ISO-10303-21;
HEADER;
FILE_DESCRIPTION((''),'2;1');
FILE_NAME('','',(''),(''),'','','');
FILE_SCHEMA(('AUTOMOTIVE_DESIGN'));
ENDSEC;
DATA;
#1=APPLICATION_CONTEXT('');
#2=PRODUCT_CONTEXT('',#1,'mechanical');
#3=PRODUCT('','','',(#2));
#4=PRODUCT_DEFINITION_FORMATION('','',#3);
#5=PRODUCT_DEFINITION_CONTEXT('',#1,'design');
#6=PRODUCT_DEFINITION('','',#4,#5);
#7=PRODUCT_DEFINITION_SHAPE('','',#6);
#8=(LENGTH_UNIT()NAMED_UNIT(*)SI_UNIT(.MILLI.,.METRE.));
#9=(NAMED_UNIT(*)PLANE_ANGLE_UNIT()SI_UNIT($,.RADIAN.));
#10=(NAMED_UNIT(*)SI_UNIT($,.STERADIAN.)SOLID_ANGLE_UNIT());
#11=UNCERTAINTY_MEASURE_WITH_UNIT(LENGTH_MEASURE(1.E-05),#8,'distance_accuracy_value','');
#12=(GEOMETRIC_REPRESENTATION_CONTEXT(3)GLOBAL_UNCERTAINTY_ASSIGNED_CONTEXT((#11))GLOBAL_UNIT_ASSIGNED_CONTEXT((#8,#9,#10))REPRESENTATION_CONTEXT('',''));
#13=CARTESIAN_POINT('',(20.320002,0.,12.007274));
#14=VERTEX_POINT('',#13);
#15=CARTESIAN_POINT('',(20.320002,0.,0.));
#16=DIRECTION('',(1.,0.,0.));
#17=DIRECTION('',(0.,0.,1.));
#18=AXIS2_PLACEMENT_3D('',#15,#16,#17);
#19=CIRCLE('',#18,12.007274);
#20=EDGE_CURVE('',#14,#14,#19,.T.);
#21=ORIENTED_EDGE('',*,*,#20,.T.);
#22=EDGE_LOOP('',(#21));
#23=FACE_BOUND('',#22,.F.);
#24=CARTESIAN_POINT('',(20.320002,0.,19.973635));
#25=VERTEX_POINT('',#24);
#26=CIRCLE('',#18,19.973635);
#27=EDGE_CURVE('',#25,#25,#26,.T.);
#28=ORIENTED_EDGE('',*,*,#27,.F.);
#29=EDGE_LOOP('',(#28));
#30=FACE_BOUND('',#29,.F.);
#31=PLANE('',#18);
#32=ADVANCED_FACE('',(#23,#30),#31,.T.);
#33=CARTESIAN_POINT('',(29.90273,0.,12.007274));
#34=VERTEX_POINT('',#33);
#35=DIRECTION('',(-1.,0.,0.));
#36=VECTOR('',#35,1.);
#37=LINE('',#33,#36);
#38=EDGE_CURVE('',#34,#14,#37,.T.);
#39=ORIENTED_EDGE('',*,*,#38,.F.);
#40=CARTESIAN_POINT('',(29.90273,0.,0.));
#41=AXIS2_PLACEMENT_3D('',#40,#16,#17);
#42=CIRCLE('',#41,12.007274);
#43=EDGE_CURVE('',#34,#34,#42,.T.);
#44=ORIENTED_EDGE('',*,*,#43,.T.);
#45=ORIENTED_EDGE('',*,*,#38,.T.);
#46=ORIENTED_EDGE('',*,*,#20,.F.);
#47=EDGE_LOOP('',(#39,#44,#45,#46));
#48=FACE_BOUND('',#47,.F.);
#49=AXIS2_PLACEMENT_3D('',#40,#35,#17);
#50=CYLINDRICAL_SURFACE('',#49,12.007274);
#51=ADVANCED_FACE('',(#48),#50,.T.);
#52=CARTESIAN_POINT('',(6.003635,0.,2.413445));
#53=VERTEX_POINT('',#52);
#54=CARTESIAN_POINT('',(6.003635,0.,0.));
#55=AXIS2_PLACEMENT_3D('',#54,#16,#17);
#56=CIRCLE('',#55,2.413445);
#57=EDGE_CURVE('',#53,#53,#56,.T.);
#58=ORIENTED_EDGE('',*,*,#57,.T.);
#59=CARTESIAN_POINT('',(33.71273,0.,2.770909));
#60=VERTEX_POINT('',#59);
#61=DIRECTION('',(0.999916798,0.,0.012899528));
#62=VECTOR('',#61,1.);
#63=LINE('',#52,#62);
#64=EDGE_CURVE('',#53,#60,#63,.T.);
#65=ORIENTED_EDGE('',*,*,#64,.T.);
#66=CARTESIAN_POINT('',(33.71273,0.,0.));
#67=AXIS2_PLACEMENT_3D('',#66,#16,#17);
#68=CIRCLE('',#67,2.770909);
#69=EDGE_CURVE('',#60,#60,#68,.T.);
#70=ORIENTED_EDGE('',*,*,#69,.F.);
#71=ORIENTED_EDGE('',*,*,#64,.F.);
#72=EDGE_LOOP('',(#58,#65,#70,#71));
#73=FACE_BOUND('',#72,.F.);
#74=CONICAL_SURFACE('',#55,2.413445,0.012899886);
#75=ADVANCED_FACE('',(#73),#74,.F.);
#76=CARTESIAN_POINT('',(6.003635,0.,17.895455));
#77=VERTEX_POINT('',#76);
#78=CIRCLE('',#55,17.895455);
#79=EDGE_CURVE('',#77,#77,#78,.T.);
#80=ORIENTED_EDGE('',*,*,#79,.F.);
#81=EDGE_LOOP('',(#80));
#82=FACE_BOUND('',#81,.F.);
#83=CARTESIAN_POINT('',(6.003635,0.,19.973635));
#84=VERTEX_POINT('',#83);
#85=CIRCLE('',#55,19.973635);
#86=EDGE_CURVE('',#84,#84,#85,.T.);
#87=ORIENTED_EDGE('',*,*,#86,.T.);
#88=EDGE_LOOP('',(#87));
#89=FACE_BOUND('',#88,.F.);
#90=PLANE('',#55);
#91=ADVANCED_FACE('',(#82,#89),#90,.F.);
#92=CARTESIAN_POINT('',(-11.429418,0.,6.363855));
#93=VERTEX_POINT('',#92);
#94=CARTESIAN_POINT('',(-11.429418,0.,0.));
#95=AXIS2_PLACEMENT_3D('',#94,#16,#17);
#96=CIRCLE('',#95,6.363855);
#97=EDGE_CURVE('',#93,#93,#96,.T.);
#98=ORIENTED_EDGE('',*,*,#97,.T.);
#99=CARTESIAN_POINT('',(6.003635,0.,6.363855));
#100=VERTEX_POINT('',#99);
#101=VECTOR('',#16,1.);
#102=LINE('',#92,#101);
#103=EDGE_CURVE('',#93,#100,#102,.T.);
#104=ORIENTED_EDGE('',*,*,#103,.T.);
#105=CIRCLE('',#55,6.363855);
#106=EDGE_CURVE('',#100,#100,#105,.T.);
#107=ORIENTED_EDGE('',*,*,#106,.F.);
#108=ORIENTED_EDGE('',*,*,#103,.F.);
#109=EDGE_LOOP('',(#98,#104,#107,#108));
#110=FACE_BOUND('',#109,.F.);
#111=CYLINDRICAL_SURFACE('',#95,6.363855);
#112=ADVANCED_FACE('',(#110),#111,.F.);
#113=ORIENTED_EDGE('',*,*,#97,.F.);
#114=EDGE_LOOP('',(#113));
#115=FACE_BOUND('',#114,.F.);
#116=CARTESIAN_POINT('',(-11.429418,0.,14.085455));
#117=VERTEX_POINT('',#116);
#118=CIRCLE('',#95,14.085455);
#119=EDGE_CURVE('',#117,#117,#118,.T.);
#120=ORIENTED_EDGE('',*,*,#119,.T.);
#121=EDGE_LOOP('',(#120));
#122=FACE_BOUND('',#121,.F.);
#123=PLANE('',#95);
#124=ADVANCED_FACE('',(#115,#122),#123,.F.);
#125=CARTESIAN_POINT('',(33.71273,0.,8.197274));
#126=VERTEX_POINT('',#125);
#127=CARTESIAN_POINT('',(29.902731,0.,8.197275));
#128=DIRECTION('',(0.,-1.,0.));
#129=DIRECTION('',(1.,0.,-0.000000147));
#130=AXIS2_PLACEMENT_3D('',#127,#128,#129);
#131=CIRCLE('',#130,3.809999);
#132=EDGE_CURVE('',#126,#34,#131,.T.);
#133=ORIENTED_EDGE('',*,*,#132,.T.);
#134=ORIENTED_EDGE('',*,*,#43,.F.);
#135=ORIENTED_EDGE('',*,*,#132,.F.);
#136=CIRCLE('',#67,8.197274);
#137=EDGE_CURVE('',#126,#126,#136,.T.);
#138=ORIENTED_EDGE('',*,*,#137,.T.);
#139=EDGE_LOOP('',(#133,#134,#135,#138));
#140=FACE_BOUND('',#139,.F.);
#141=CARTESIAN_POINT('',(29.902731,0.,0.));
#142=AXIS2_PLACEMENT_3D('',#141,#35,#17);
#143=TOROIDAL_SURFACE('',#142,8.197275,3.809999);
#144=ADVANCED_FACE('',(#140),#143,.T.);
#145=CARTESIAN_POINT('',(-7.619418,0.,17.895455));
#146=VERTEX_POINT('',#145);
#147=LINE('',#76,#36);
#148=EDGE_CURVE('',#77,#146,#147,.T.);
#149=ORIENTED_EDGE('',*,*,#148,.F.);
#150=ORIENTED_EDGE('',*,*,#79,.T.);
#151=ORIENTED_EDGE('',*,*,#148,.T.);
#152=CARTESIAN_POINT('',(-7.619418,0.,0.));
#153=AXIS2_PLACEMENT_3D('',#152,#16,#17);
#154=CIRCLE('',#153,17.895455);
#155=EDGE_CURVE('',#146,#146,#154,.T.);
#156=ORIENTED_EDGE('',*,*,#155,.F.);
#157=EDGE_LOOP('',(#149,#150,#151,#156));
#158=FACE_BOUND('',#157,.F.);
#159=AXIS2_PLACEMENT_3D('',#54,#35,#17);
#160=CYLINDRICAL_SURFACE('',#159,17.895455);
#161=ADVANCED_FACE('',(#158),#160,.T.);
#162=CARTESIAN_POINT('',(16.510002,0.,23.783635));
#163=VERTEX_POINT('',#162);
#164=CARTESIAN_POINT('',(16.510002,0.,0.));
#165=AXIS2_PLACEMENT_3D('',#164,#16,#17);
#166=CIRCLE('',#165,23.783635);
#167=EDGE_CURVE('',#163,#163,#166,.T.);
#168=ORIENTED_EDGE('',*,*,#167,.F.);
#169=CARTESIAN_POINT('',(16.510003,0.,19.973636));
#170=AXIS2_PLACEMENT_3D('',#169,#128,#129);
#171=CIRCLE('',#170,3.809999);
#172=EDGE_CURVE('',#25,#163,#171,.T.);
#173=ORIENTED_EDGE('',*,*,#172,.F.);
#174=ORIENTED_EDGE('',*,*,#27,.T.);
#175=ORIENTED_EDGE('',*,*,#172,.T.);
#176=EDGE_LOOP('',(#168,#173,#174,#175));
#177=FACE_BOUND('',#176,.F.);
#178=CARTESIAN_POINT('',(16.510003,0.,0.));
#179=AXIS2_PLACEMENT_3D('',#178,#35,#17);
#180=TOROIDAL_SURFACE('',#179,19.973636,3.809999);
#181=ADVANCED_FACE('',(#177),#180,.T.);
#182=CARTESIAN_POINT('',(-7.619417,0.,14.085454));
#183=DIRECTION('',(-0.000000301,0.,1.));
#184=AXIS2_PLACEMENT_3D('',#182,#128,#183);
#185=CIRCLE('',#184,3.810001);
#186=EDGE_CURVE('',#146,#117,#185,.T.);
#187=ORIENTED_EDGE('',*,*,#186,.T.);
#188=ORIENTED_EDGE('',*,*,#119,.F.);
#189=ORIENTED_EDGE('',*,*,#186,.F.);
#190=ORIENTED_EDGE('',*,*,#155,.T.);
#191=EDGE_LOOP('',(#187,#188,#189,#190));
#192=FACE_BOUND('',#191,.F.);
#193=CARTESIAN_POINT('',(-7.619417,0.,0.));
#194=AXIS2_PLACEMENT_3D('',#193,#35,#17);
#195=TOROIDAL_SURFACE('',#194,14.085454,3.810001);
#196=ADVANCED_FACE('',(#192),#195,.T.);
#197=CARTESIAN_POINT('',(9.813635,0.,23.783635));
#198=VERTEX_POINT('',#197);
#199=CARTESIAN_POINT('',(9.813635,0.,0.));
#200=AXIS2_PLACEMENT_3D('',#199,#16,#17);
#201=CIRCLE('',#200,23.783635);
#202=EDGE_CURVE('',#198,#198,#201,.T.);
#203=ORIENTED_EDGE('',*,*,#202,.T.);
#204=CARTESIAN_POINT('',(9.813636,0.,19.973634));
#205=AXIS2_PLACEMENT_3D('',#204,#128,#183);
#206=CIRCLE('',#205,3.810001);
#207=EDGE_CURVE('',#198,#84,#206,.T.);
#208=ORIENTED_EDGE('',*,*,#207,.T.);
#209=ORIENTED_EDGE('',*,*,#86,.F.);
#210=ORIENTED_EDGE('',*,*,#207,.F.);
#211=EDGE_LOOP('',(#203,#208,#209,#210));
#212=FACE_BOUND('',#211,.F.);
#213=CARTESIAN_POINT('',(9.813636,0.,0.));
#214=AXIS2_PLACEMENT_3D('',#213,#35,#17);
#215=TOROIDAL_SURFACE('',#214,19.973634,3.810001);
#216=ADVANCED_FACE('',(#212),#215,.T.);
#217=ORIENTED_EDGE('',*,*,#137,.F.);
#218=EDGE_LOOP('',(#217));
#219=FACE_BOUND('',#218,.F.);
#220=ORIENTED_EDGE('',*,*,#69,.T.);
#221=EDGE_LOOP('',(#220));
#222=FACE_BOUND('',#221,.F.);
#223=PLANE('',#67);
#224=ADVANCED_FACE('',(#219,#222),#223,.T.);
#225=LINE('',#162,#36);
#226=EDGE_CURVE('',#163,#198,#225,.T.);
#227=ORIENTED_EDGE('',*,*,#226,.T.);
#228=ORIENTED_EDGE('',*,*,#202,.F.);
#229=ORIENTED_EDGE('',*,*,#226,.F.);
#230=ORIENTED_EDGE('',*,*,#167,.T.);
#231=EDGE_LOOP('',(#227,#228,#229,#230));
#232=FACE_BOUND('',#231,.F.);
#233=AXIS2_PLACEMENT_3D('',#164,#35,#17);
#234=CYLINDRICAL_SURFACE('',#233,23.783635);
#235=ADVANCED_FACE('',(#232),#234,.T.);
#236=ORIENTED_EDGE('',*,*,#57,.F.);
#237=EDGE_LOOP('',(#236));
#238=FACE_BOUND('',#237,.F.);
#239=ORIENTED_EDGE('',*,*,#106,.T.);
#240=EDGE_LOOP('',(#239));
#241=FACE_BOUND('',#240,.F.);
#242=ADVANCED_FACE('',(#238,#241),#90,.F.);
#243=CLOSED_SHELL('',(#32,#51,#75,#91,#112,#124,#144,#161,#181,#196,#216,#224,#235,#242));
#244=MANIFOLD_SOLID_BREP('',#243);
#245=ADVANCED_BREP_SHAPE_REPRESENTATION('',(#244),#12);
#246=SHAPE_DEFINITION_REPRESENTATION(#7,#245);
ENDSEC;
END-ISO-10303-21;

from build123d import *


with BuildPart() as f1:
    # F0 (on Front) → F1 (revolve)
    with BuildSketch(Plane.XZ):
        with BuildLine():
            Line((6.003635, 2.413445), (33.71273, 2.770909))
            Line((33.71273, 2.770909), (33.71273, 8.197274))
            ThreePointArc((33.71273, 8.197274), (32.596807, 10.891351), (29.90273, 12.007274))
            Line((29.90273, 12.007274), (20.320002, 12.007274))
            Line((20.320002, 12.007274), (20.320002, 19.973635))
            ThreePointArc((20.320002, 19.973635), (19.204079, 22.667712), (16.510002, 23.783635))
            Line((16.510002, 23.783635), (9.813635, 23.783635))
            ThreePointArc((9.813635, 23.783635), (7.119559, 22.667712), (6.003635, 19.973635))
            Line((6.003635, 19.973635), (6.003635, 17.895455))
            Line((6.003635, 17.895455), (6.003635, 12.007274))
            Line((6.003635, 12.007274), (6.003635, 6.363855))
            Line((6.003635, 6.363855), (6.003635, 2.413445))
        make_face()
        with BuildLine():
            Line((-11.429418, 6.363855), (6.003635, 6.363855))
            Line((6.003635, 6.363855), (6.003635, 12.007274))
            Line((6.003635, 12.007274), (6.003635, 17.895455))
            Line((6.003635, 17.895455), (-7.619418, 17.895455))
            ThreePointArc((-7.619418, 17.895455), (-10.313495, 16.779531), (-11.429418, 14.085455))
            Line((-11.429418, 14.085455), (-11.429418, 6.363855))
        make_face()
    revolve(axis=Axis((-4e-06, 0, 0), (1, 0, 0)))


solid = f1.part
